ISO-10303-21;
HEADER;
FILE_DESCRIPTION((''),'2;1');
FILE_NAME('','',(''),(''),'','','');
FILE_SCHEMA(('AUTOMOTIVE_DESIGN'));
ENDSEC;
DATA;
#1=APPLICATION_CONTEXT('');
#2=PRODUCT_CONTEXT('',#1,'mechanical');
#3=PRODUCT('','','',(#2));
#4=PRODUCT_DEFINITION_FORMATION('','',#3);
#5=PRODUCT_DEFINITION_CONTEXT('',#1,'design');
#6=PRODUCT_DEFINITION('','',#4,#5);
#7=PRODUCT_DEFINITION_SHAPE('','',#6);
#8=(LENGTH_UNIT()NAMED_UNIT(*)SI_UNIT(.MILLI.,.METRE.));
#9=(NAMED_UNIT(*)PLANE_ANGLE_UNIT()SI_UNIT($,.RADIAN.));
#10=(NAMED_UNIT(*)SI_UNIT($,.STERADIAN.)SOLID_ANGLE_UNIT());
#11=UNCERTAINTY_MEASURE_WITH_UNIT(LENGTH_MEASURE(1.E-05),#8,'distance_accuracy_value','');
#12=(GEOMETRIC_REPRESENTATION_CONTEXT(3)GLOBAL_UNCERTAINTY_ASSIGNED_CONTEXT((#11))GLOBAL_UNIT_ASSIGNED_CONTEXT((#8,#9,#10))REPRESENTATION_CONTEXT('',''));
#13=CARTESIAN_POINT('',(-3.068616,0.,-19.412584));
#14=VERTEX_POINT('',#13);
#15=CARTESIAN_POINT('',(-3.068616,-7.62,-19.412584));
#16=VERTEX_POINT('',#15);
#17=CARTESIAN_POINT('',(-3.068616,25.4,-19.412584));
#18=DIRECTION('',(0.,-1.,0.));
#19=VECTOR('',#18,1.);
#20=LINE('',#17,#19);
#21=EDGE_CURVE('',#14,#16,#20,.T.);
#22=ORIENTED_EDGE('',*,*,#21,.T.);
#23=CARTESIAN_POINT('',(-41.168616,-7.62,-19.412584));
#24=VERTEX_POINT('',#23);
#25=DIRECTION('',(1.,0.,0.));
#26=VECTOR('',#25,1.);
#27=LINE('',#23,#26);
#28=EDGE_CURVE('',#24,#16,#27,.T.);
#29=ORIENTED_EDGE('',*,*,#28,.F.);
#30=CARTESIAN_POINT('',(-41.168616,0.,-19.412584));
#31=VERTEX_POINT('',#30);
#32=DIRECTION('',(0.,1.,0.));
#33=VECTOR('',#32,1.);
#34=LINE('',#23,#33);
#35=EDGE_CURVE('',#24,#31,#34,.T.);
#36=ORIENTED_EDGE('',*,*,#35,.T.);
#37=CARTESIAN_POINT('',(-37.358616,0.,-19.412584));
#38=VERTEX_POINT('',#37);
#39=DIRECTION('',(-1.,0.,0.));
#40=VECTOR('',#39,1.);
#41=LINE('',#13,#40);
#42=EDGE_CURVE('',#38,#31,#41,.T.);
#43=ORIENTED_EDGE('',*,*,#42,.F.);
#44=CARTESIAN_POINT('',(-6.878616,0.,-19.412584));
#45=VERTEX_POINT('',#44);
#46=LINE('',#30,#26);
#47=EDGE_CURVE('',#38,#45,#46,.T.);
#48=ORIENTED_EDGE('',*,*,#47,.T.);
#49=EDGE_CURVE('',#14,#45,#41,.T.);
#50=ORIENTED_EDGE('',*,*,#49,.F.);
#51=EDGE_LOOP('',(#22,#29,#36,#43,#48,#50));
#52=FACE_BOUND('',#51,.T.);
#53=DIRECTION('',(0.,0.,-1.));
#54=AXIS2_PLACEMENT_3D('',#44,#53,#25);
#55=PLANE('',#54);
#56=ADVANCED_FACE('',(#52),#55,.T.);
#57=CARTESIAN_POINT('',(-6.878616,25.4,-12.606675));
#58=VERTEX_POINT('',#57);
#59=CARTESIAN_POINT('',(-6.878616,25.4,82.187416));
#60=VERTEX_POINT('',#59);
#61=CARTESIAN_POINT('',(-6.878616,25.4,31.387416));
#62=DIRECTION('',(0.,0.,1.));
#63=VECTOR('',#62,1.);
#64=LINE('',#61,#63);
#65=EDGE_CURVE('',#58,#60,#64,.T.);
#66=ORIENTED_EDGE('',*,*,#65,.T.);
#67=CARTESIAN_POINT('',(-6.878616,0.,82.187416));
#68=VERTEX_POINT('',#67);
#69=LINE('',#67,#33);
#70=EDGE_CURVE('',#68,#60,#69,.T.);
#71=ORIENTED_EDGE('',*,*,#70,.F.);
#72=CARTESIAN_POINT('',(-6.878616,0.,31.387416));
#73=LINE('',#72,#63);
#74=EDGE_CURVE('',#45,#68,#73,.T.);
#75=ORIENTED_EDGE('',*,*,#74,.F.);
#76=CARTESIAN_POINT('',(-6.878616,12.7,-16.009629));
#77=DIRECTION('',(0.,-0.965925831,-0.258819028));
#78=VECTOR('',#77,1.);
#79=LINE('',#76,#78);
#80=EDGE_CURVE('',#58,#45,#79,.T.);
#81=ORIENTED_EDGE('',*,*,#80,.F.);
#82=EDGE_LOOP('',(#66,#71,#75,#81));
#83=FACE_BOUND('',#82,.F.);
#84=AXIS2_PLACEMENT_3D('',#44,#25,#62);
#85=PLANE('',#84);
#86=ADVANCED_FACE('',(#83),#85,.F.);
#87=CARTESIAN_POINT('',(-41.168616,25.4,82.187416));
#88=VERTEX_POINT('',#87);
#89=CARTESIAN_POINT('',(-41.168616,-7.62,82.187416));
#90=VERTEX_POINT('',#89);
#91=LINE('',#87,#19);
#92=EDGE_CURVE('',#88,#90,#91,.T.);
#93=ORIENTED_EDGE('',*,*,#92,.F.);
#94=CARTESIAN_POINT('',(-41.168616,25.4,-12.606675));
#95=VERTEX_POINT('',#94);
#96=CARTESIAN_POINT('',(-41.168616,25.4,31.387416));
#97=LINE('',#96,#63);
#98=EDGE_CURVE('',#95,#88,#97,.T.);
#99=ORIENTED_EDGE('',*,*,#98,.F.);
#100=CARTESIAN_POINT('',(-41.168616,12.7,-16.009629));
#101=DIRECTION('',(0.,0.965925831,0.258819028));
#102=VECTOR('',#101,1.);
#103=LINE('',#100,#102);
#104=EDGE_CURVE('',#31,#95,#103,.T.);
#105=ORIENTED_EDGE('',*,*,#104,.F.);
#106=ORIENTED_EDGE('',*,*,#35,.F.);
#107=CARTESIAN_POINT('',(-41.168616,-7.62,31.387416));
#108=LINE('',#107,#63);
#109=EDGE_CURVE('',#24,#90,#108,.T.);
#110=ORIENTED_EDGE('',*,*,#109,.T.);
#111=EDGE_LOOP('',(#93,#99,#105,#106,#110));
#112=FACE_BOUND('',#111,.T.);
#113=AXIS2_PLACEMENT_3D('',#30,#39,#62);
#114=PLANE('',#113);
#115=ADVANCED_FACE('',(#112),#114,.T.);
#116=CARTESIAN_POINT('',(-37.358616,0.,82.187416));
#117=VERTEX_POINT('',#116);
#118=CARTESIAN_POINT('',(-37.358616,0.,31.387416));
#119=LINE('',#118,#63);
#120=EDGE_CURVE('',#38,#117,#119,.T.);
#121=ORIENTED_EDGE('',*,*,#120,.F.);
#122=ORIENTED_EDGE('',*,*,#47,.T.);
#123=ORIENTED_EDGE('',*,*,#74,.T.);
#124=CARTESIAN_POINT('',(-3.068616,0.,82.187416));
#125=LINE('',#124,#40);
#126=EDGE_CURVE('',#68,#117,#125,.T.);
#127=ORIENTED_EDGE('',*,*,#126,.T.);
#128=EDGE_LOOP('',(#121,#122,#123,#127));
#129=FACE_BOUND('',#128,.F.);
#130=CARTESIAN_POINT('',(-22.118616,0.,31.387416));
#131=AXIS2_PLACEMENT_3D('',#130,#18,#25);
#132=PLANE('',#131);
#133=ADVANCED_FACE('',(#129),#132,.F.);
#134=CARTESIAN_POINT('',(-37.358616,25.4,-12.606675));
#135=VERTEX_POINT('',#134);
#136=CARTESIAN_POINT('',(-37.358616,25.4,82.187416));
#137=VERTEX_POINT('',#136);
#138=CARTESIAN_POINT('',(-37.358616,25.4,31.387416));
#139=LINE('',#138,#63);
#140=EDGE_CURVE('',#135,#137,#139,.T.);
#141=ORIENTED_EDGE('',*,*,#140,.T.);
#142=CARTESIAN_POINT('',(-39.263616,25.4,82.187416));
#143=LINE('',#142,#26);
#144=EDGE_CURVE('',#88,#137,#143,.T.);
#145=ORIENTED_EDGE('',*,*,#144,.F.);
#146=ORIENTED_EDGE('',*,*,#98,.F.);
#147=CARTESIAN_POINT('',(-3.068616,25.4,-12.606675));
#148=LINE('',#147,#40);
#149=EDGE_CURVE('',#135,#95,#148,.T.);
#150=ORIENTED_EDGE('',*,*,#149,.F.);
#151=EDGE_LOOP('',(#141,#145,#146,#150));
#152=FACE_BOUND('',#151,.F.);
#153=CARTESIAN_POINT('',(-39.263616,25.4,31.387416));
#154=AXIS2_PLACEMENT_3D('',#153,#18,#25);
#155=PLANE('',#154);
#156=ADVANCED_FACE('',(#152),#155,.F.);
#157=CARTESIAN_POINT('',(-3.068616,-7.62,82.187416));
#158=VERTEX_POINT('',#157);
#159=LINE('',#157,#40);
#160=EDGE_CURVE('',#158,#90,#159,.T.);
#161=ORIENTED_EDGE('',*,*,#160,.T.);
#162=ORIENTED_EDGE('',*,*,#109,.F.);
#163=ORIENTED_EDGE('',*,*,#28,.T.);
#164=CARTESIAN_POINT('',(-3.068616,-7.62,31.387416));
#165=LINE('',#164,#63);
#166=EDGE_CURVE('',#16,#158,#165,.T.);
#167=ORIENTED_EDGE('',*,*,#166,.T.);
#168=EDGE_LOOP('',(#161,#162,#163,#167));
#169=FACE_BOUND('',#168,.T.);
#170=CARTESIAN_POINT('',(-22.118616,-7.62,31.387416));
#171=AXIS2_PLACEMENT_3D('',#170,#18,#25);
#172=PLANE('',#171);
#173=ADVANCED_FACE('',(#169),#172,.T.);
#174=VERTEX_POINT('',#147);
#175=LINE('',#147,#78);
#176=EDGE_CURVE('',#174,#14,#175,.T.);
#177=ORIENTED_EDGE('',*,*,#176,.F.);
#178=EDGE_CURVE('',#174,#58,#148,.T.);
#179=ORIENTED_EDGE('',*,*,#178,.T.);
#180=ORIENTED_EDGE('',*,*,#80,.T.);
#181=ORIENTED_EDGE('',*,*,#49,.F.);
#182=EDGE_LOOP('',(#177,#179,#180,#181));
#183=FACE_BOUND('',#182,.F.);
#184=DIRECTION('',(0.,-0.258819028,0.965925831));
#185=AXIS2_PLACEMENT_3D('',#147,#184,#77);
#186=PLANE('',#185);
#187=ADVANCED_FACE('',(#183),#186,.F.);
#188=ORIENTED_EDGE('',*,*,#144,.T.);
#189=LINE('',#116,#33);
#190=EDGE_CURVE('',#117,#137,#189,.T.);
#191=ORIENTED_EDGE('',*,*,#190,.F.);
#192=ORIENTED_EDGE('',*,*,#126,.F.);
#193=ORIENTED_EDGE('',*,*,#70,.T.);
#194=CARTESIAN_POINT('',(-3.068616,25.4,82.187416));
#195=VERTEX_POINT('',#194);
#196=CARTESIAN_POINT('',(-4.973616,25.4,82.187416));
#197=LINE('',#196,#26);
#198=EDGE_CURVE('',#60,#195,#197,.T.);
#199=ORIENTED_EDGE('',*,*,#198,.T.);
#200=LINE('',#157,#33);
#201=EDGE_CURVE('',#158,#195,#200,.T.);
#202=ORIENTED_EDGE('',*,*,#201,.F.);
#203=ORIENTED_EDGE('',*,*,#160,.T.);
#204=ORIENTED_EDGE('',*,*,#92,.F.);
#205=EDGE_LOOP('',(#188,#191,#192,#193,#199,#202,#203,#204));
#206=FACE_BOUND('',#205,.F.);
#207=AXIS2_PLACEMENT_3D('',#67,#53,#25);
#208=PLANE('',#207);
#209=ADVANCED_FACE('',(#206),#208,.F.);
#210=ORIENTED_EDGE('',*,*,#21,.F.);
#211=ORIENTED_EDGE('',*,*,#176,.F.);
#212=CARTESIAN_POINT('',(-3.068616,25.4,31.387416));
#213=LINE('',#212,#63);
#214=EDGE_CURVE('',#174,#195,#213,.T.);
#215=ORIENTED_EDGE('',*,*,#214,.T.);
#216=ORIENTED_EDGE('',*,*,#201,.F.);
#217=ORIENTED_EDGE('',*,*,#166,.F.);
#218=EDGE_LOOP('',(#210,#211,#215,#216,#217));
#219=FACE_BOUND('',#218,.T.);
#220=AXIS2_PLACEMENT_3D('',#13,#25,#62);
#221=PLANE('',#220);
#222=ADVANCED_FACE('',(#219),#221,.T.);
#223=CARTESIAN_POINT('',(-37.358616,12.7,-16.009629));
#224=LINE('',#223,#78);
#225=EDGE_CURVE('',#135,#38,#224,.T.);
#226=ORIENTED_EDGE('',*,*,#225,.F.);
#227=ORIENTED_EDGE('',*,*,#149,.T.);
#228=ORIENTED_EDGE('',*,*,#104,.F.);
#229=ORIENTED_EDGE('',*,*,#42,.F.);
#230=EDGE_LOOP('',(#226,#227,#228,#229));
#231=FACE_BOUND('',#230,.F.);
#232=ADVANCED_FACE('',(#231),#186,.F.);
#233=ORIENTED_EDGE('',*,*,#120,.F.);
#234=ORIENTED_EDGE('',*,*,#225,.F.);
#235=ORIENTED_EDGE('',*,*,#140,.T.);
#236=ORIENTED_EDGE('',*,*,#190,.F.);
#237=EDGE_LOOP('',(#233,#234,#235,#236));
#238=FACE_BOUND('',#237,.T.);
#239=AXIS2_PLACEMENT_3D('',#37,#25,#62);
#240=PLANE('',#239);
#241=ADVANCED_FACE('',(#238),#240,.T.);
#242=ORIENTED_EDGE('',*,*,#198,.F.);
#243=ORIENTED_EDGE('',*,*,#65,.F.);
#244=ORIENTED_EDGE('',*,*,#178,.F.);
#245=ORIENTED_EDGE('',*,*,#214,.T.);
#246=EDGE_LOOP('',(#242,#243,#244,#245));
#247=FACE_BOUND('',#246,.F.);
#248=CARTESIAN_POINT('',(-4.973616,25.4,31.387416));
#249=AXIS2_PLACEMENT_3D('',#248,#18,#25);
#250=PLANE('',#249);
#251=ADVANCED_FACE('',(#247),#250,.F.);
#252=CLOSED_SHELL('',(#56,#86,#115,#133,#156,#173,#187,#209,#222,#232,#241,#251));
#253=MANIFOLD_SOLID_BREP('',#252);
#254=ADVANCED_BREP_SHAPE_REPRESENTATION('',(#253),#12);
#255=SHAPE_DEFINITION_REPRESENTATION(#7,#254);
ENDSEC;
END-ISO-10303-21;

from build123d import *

# Parameters (mm, degrees)
F0_W     = 30.48
F0_H     = 101.6
F0_W_2   = 3.81
F1_DEPTH = 7.62
F2_DEPTH = 25.4
F4_DEPTH = 50.8


with BuildPart() as f1:
    # F0 (on Front) → F1 (new body)
    with BuildSketch(Plane.XZ):
        with Locations((-22.118616, 31.387416)):
            Rectangle(F0_W, F0_H)
        with Locations((-39.263616, 31.387416)):
            Rectangle(F0_W_2, F0_H)
        with Locations((-4.973616, 31.387416)):
            Rectangle(F0_W_2, F0_H)
    extrude(amount=F1_DEPTH)

    # F0 (on Front) → F2 (join)
    with BuildSketch(Plane.XZ):
        with Locations((-4.973616, 31.387416)):
            Rectangle(F0_W_2, F0_H)
        with Locations((-39.263616, 31.387416)):
            Rectangle(F0_W_2, F0_H)
    extrude(amount=-F2_DEPTH)

    # F3 (on face) → F4 (cut)
    with BuildSketch(Plane.YZ.offset(-3.068616)):
        Polygon((25.4, -19.412584), (25.4, -12.606675), (0, -19.412584), align=None)
    extrude(amount=-F4_DEPTH, mode=Mode.SUBTRACT)


solid = f1.part
